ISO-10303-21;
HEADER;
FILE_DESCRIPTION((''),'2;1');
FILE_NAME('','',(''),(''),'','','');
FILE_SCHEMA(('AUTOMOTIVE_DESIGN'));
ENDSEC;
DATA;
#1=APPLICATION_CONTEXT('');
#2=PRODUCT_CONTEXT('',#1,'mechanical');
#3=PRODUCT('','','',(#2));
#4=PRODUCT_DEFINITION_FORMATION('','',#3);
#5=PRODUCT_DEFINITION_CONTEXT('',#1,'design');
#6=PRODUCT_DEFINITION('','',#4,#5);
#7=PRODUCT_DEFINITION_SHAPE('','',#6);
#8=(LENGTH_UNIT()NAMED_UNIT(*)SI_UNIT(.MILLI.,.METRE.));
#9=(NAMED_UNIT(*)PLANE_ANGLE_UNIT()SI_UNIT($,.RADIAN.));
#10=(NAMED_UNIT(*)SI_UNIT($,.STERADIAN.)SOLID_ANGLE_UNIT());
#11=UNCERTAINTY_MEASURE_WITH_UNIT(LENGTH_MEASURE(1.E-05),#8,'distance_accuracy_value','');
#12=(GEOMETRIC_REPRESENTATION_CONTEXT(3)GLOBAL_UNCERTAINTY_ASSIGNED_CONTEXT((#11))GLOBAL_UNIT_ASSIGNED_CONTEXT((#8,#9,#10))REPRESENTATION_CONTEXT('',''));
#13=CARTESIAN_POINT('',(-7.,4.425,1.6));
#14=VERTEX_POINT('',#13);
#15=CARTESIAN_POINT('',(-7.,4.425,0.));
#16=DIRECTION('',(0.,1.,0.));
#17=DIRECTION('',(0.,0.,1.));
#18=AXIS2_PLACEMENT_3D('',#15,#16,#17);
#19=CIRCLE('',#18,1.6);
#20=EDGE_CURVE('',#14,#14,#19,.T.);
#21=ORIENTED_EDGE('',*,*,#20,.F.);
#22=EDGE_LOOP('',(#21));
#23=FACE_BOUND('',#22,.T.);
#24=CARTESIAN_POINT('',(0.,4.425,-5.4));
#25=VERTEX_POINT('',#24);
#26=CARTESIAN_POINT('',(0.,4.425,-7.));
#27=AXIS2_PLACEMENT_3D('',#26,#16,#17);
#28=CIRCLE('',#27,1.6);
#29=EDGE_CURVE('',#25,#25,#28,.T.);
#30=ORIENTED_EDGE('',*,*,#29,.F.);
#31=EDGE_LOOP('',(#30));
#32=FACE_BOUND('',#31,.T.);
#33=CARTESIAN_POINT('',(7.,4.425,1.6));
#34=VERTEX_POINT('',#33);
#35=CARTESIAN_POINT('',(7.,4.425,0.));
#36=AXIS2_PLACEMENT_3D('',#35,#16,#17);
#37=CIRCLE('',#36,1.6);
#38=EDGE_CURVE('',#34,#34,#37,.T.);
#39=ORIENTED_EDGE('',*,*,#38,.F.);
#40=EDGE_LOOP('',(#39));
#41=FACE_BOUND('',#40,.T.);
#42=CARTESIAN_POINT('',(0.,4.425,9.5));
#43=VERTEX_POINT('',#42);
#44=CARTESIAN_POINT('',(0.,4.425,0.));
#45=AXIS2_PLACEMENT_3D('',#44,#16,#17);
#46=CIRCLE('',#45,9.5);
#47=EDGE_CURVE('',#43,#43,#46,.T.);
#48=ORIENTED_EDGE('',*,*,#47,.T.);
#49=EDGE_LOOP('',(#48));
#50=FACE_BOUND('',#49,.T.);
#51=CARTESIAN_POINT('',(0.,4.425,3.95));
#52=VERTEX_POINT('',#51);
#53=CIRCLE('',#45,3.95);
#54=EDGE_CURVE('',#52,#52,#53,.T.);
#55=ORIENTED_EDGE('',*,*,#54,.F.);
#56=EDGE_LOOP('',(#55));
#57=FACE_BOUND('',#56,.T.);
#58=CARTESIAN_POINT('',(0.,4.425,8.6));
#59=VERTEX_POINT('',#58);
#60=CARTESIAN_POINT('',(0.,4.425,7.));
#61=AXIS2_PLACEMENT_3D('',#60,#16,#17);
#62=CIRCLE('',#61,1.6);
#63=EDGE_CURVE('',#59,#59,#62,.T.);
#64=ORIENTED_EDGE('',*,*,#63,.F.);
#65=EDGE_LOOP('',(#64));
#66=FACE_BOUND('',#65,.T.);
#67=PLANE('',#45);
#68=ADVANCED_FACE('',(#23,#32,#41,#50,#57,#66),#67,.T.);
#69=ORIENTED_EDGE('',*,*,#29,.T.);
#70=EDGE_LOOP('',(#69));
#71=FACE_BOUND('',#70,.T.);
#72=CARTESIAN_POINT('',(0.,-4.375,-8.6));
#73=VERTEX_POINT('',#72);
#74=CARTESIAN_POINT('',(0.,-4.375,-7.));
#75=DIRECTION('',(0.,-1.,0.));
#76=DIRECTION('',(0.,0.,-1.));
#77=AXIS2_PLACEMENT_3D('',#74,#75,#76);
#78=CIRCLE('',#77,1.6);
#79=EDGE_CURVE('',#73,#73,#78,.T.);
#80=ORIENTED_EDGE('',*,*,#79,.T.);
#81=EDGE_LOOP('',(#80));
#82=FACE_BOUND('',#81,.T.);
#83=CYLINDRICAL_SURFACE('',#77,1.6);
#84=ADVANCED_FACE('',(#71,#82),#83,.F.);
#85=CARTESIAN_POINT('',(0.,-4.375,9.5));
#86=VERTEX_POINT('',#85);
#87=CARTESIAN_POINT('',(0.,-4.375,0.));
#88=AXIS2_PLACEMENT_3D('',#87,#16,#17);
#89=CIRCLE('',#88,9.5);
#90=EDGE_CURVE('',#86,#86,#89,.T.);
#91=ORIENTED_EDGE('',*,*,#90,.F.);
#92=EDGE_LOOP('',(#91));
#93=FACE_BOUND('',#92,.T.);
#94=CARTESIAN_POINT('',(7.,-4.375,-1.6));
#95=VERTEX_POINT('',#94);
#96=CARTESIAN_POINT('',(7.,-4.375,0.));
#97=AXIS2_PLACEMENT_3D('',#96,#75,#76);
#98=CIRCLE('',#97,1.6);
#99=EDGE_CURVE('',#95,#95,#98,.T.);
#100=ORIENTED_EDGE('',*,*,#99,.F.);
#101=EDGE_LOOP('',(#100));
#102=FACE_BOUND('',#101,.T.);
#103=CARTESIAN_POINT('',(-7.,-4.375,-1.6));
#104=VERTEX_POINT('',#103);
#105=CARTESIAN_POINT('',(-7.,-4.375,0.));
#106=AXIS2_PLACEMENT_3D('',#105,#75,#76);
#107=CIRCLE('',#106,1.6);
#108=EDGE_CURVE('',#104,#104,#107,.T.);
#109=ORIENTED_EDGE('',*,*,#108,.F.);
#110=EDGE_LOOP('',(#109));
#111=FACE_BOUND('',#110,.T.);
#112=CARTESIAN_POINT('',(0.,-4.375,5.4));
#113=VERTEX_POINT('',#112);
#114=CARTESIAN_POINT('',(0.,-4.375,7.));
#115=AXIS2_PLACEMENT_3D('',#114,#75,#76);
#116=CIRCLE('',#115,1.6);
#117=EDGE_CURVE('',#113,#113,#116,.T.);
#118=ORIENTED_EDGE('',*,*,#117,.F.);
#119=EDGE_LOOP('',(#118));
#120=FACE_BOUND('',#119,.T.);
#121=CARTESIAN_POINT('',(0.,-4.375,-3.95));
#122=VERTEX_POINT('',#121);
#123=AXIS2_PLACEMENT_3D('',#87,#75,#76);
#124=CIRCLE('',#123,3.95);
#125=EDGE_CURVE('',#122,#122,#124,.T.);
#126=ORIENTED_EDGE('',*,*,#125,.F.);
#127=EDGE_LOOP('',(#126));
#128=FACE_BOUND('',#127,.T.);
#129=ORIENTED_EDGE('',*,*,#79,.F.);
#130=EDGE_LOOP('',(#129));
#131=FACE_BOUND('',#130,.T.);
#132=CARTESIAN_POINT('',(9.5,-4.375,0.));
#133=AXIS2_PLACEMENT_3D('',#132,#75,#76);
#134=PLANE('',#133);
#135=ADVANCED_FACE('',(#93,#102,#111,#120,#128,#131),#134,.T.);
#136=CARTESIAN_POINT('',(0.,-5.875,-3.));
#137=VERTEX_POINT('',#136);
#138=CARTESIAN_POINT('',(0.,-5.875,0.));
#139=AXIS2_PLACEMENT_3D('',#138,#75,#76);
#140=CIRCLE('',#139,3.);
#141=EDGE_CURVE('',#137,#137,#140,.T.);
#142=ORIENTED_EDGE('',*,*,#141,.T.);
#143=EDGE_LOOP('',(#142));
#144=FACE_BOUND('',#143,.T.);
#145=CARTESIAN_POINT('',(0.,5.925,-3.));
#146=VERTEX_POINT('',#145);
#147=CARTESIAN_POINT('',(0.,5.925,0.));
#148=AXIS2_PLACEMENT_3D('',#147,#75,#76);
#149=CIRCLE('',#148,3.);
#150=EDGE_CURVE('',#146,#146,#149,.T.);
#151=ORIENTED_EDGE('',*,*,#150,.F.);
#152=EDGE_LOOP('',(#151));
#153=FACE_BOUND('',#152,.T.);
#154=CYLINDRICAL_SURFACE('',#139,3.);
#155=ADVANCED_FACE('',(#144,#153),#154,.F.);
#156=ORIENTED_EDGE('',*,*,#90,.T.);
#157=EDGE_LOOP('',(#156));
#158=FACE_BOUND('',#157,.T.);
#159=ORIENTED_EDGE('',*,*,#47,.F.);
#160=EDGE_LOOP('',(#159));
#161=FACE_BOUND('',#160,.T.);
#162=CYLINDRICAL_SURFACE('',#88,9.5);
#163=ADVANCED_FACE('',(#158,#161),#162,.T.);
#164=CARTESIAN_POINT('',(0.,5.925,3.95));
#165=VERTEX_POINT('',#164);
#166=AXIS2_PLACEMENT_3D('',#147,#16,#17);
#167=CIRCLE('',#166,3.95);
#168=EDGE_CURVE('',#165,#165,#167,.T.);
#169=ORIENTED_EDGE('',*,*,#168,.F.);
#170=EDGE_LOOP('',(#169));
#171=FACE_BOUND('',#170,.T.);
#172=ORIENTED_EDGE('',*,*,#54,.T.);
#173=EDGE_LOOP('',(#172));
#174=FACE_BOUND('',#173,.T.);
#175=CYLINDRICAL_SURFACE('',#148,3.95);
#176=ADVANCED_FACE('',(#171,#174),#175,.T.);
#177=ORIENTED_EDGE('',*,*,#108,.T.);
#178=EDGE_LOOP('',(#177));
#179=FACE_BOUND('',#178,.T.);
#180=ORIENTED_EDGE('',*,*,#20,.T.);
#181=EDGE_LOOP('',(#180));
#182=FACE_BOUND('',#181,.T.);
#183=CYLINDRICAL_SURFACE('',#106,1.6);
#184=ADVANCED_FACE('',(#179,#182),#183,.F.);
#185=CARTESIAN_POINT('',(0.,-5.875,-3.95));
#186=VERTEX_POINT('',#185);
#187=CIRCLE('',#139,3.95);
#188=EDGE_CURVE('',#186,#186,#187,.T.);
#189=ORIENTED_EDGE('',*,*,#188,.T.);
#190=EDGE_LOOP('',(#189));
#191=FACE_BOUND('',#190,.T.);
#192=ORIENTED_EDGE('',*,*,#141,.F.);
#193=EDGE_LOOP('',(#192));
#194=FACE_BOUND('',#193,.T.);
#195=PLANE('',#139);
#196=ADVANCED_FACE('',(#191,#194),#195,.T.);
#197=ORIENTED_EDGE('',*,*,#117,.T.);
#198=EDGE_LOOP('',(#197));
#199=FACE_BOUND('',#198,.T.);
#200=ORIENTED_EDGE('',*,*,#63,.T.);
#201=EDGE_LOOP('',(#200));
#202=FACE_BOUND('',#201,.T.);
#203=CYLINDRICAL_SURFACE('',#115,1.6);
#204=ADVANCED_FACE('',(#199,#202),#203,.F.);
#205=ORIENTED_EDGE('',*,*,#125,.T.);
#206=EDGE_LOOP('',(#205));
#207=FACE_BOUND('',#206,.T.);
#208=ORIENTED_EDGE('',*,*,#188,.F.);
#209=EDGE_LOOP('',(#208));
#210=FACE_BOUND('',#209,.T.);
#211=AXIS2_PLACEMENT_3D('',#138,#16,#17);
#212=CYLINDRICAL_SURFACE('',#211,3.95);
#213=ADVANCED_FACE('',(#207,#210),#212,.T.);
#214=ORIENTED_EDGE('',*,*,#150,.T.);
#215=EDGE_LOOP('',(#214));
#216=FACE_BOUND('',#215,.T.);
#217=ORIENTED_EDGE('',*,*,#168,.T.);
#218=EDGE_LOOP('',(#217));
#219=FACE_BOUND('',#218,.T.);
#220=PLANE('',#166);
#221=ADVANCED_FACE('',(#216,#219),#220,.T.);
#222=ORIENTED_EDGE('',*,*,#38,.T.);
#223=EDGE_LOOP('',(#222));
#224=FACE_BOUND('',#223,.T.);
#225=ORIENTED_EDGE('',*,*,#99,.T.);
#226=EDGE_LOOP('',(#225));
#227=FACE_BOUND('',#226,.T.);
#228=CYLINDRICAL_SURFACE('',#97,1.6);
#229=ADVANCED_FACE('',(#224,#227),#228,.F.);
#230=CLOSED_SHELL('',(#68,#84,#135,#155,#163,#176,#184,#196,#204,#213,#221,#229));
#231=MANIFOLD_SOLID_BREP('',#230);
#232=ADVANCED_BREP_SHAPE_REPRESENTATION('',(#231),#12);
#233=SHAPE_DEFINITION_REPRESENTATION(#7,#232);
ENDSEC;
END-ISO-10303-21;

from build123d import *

# Parameters (mm, degrees)
SKETCH_1_W                  = 9.5
SKETCH_1_H                  = 8.8
SKETCH_2_R                  = 3.95
EXTRUDE_1_DEPTH             = 1.5
EXTRUDE_START               = 1.5
SKETCH_3_R                  = 3.95
EXTRUDE_2_DEPTH             = 1.5
HOLE_WIZARD_3_2_3_2_1_D     = 3.2
HOLE_WIZARD_3_2_3_2_1_DEPTH = 10.3
HOLE_WIZARD_6_0_6_1_D       = 6


with BuildPart() as part:
    # 草图1 → 旋转1 (revolve)
    with BuildSketch(Plane(origin=(0, 0, 0), x_dir=(-1, 0, 0), z_dir=(0, 0, -1)), mode=Mode.PRIVATE) as revolve_1_sk:
        with Locations((-4.75, 0.025)):
            Rectangle(SKETCH_1_W, SKETCH_1_H)
    revolve(revolve_1_sk.sketch.rotate(Axis((0, -4.375, 0), (0, 1, 0)), 270), axis=Axis((0, -4.375, 0), (0, 1, 0)))

    # 草图2 → 凸台-拉伸1 (add)
    with BuildSketch(Plane(origin=(0, 4.425, 0), x_dir=(-1, 0, 0), z_dir=(0, 1, 0))):
        with Locations(Location((0, 0, 0), (0, 0, 90))):
            Circle(SKETCH_2_R)
    extrude(amount=EXTRUDE_1_DEPTH)

    # 草图3 → 凸台-拉伸2 (add)
    with BuildSketch(Plane.XZ.offset(4.375).offset(EXTRUDE_START)):
        with Locations(Location((0, 0, 0), (0, 0, 90))):
            Circle(SKETCH_3_R)
    extrude(amount=-EXTRUDE_2_DEPTH)

    # Ø3.2 (3.2) 直径孔1
    with Locations(Plane(origin=(0, -4.375, 0), x_dir=(-1, 0, 0), z_dir=(0, -1, 0))):
        with Locations((0, 7), (-7, 0), (0, -7), (7, 0)):
            Hole(HOLE_WIZARD_3_2_3_2_1_D / 2, depth=HOLE_WIZARD_3_2_3_2_1_DEPTH)

    # Ø6.0 (6) 直径孔1 (through all)
    with Locations(Plane(origin=(0, -5.875, 0), x_dir=(-1, 0, 0), z_dir=(0, -1, 0))):
        with Locations((0, 0)):
            Hole(HOLE_WIZARD_6_0_6_1_D / 2)


solid = part.part
